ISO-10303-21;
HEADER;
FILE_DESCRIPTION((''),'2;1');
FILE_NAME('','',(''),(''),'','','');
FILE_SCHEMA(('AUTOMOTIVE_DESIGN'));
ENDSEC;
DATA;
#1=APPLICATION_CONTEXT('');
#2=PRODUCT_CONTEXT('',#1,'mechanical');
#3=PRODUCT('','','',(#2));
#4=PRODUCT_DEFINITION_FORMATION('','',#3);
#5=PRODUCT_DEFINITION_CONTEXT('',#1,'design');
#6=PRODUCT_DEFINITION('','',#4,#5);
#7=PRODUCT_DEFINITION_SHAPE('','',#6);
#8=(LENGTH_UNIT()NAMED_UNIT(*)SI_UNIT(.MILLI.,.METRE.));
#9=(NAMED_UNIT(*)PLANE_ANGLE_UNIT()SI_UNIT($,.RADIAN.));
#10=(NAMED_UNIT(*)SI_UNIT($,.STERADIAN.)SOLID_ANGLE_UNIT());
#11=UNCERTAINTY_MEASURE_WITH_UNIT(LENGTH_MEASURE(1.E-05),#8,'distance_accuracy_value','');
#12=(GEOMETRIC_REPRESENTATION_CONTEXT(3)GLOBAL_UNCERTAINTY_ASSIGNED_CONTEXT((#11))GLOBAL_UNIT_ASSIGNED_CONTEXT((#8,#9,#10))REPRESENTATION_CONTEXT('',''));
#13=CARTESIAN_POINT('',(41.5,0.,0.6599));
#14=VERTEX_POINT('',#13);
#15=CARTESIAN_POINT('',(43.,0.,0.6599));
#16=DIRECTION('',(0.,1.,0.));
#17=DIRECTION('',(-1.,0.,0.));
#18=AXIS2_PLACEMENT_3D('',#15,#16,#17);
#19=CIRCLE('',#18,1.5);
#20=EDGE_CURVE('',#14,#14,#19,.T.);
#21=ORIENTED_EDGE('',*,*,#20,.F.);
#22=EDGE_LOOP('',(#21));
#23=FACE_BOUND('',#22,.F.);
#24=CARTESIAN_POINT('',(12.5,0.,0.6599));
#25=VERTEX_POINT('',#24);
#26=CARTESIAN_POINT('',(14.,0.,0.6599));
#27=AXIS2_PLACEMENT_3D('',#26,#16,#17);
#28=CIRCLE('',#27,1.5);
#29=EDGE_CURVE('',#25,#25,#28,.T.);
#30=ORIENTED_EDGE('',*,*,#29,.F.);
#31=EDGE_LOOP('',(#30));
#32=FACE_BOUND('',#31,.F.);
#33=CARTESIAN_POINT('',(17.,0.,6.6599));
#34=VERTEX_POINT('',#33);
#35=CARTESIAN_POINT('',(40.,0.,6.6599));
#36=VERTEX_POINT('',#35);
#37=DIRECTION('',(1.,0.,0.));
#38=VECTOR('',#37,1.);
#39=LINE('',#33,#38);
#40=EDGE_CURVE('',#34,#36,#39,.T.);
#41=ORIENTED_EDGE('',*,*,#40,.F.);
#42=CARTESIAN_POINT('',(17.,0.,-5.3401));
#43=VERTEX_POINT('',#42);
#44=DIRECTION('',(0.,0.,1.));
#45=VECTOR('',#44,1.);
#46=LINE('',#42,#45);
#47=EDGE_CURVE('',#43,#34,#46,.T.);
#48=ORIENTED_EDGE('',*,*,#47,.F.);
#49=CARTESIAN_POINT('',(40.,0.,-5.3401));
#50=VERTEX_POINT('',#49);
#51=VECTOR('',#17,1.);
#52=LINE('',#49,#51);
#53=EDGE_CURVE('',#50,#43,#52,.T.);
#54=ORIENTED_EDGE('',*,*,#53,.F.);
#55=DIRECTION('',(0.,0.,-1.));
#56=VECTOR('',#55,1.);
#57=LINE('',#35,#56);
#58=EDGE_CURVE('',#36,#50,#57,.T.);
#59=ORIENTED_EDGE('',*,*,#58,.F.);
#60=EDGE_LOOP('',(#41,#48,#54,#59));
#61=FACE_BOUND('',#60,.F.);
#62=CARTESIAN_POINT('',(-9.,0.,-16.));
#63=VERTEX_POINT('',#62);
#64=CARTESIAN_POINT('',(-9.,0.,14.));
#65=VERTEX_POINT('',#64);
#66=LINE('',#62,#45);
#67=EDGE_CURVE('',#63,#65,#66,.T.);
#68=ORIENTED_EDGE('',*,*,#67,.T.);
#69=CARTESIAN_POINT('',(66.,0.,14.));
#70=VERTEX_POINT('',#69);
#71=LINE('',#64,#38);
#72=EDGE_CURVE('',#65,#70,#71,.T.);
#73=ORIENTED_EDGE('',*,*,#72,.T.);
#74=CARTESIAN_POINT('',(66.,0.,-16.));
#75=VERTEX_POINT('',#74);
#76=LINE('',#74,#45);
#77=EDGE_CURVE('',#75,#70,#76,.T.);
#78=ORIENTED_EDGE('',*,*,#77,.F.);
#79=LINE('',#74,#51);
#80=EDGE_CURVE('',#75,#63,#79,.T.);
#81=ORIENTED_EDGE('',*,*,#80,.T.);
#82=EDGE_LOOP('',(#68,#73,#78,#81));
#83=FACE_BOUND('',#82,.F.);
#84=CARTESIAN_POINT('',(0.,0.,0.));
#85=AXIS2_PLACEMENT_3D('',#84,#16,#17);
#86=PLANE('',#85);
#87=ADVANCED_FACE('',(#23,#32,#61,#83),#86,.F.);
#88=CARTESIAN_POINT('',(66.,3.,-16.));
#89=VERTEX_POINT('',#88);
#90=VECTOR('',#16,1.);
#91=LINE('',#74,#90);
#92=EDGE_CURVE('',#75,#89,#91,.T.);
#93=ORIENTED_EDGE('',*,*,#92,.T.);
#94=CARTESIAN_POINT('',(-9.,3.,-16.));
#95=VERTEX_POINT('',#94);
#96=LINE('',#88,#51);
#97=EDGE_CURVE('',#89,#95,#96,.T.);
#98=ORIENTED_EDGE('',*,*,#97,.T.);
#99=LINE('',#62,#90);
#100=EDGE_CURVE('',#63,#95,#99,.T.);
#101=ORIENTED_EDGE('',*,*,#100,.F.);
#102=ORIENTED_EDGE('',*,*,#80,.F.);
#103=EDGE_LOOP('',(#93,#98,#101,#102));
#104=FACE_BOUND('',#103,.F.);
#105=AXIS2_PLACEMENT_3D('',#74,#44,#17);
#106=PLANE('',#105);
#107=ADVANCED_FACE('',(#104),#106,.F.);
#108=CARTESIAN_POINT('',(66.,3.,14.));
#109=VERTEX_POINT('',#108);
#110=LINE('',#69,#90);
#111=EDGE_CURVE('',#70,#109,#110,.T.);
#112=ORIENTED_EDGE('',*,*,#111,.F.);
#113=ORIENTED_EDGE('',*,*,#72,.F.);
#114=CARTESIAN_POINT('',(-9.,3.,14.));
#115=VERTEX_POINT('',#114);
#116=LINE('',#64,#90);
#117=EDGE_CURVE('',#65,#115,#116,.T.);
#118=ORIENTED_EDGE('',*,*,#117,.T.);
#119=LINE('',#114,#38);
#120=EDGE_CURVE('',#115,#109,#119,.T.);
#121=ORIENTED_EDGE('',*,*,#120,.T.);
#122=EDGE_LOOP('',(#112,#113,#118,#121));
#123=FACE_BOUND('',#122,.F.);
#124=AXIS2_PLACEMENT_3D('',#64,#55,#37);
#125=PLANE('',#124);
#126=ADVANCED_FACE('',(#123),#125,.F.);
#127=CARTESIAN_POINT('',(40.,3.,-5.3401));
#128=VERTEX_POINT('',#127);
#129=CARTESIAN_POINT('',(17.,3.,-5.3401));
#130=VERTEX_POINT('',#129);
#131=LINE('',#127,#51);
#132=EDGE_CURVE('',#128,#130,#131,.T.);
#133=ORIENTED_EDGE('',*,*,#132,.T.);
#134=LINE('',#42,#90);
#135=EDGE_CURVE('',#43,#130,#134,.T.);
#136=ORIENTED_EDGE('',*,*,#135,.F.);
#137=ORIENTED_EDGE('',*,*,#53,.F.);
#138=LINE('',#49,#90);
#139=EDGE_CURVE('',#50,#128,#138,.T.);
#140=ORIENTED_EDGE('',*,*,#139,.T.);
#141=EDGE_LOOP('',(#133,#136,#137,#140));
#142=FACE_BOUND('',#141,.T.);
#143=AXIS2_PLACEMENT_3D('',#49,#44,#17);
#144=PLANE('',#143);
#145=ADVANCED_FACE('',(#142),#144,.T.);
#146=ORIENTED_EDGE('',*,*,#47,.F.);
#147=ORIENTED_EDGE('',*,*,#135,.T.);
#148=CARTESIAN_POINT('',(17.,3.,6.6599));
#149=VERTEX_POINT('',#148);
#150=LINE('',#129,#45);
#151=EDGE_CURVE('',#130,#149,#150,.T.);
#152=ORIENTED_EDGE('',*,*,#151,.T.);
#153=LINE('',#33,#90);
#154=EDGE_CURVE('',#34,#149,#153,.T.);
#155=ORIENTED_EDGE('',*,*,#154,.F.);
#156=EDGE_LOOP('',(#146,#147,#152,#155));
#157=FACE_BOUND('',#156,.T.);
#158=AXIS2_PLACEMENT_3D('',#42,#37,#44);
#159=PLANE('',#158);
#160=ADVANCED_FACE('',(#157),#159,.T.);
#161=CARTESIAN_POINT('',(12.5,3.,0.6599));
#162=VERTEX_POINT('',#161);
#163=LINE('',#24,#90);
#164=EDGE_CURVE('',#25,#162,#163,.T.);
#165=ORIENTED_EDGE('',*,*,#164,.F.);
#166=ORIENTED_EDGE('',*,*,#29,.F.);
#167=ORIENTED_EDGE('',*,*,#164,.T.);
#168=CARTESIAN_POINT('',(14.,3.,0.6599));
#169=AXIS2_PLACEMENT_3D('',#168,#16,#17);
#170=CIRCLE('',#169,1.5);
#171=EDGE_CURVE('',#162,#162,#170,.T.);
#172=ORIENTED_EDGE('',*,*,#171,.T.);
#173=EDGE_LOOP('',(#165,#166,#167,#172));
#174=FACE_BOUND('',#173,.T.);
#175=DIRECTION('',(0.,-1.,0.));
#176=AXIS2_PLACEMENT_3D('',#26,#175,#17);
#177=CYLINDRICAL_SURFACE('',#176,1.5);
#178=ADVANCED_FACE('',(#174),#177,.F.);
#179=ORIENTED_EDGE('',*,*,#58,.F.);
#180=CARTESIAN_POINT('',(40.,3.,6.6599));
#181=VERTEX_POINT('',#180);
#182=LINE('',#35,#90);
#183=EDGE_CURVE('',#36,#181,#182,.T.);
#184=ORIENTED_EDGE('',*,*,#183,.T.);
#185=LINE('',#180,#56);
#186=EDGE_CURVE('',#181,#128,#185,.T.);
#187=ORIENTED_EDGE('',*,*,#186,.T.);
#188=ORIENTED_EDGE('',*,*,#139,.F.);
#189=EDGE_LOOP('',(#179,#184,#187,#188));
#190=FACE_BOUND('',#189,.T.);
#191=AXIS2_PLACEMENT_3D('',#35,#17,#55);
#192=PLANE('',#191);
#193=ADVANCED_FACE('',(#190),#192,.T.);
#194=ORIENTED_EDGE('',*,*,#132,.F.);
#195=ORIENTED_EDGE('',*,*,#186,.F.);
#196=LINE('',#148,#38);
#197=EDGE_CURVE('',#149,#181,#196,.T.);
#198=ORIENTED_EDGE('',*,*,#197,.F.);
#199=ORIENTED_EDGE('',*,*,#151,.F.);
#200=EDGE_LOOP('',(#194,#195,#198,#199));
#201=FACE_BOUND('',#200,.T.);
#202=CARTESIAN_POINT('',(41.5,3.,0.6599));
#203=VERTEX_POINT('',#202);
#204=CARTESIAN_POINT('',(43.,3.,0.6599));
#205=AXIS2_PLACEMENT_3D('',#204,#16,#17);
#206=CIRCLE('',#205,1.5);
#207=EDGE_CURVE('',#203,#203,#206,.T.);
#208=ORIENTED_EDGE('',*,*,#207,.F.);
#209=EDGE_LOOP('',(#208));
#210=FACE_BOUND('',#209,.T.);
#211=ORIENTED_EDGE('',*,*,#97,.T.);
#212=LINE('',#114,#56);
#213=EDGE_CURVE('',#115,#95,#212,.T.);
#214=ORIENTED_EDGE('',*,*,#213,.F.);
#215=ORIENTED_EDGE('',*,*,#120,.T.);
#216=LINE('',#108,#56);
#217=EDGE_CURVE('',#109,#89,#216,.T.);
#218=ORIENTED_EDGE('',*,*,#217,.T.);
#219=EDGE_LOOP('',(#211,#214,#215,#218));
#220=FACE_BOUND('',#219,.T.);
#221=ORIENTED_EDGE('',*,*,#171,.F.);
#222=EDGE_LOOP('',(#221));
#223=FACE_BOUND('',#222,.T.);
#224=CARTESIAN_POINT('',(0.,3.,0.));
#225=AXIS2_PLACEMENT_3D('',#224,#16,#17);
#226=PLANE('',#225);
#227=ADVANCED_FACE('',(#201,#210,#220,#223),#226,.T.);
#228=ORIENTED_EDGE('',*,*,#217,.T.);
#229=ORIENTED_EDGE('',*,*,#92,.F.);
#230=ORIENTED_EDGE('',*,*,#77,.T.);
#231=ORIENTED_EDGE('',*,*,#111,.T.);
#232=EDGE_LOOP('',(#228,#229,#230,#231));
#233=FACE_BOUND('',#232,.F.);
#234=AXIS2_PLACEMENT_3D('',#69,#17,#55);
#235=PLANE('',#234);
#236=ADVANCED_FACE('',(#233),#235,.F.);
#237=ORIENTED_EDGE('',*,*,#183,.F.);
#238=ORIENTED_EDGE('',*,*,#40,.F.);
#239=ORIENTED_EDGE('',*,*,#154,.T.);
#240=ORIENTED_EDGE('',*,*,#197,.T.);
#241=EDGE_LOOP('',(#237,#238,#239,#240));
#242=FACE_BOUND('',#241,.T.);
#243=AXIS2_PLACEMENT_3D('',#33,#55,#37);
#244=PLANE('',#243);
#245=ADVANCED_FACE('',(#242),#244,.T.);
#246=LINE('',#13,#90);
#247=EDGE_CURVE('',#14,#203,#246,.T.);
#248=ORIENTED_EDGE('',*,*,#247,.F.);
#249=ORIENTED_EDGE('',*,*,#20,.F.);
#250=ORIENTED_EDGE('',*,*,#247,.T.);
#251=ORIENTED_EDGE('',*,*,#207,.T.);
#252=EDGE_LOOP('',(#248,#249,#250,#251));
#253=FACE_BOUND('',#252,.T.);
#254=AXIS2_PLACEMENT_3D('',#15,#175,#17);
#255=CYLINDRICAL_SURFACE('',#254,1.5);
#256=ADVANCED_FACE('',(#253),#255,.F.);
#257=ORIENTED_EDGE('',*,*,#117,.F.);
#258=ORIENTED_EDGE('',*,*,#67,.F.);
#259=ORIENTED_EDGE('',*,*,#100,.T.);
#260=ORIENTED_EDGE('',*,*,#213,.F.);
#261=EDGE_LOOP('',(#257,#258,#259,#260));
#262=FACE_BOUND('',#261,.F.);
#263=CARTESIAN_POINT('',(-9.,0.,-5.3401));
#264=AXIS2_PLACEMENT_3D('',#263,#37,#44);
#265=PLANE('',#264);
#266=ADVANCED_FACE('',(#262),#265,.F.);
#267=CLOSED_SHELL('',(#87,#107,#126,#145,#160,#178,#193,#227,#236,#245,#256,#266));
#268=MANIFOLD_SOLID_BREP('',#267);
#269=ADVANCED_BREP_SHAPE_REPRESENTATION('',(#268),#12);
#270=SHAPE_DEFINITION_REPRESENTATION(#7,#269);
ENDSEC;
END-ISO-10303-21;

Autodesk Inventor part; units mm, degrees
ref_plane "YZ Plane" through (0, 0, 0) normal (1, 0, 0) x (0, 1, 0)
ref_plane "XZ Plane" through (0, 0, 0) normal (0, 1, 0) x (-1, 0, 0)
ref_plane "XY Plane" through (0, 0, 0) normal (0, 0, 1) x (1, 0, 0)
sketch "Esquisse1" plane through (0, 0, 0) normal (0, 1, 0) x (-1, 0, 0)
  line L0 (9, 14) -> (-66, 14)
  line L1 (-66, 14) -> (-66, -16)
  line L2 (-66, -16) -> (9, -16)
  line L3 (9, -16) -> (9, 14)
  line L4 (-17, 6.6599) -> (-40, 6.6599)
  line L5 (-40, 6.6599) -> (-40, -5.3401)
  line L6 (-40, -5.3401) -> (-17, -5.3401)
  line L7 (-17, -5.3401) -> (-17, 6.6599)
  circle A0 centre (-14, 0.6599) radius 1.5
  circle A1 centre (-43, 0.6599) radius 1.5
  line L8 (17, -5.3401) -> (-82, -5.3401)
  point P0 (0, 0)
  point P1 (-17, 0.6599)
  dimension "d0" = 75
  dimension "d1" = 30
  dimension "d2" = 23
  dimension "d3" = 12
  dimension "d4" = 3
  dimension "d5" = 3
  dimension "d6" = 3
  dimension "d7" = 3
  dimension "d8" = 6
  dimension "d9" = 6
  dimension "d10" = 26
extrude "Extrusion1" add sketch "Esquisse1" along normal blind 3 contours L3 L8 L7 L4 L5 L1 L0 | L3 L2 L1 L8 L6
properties part number "étage_devant"
